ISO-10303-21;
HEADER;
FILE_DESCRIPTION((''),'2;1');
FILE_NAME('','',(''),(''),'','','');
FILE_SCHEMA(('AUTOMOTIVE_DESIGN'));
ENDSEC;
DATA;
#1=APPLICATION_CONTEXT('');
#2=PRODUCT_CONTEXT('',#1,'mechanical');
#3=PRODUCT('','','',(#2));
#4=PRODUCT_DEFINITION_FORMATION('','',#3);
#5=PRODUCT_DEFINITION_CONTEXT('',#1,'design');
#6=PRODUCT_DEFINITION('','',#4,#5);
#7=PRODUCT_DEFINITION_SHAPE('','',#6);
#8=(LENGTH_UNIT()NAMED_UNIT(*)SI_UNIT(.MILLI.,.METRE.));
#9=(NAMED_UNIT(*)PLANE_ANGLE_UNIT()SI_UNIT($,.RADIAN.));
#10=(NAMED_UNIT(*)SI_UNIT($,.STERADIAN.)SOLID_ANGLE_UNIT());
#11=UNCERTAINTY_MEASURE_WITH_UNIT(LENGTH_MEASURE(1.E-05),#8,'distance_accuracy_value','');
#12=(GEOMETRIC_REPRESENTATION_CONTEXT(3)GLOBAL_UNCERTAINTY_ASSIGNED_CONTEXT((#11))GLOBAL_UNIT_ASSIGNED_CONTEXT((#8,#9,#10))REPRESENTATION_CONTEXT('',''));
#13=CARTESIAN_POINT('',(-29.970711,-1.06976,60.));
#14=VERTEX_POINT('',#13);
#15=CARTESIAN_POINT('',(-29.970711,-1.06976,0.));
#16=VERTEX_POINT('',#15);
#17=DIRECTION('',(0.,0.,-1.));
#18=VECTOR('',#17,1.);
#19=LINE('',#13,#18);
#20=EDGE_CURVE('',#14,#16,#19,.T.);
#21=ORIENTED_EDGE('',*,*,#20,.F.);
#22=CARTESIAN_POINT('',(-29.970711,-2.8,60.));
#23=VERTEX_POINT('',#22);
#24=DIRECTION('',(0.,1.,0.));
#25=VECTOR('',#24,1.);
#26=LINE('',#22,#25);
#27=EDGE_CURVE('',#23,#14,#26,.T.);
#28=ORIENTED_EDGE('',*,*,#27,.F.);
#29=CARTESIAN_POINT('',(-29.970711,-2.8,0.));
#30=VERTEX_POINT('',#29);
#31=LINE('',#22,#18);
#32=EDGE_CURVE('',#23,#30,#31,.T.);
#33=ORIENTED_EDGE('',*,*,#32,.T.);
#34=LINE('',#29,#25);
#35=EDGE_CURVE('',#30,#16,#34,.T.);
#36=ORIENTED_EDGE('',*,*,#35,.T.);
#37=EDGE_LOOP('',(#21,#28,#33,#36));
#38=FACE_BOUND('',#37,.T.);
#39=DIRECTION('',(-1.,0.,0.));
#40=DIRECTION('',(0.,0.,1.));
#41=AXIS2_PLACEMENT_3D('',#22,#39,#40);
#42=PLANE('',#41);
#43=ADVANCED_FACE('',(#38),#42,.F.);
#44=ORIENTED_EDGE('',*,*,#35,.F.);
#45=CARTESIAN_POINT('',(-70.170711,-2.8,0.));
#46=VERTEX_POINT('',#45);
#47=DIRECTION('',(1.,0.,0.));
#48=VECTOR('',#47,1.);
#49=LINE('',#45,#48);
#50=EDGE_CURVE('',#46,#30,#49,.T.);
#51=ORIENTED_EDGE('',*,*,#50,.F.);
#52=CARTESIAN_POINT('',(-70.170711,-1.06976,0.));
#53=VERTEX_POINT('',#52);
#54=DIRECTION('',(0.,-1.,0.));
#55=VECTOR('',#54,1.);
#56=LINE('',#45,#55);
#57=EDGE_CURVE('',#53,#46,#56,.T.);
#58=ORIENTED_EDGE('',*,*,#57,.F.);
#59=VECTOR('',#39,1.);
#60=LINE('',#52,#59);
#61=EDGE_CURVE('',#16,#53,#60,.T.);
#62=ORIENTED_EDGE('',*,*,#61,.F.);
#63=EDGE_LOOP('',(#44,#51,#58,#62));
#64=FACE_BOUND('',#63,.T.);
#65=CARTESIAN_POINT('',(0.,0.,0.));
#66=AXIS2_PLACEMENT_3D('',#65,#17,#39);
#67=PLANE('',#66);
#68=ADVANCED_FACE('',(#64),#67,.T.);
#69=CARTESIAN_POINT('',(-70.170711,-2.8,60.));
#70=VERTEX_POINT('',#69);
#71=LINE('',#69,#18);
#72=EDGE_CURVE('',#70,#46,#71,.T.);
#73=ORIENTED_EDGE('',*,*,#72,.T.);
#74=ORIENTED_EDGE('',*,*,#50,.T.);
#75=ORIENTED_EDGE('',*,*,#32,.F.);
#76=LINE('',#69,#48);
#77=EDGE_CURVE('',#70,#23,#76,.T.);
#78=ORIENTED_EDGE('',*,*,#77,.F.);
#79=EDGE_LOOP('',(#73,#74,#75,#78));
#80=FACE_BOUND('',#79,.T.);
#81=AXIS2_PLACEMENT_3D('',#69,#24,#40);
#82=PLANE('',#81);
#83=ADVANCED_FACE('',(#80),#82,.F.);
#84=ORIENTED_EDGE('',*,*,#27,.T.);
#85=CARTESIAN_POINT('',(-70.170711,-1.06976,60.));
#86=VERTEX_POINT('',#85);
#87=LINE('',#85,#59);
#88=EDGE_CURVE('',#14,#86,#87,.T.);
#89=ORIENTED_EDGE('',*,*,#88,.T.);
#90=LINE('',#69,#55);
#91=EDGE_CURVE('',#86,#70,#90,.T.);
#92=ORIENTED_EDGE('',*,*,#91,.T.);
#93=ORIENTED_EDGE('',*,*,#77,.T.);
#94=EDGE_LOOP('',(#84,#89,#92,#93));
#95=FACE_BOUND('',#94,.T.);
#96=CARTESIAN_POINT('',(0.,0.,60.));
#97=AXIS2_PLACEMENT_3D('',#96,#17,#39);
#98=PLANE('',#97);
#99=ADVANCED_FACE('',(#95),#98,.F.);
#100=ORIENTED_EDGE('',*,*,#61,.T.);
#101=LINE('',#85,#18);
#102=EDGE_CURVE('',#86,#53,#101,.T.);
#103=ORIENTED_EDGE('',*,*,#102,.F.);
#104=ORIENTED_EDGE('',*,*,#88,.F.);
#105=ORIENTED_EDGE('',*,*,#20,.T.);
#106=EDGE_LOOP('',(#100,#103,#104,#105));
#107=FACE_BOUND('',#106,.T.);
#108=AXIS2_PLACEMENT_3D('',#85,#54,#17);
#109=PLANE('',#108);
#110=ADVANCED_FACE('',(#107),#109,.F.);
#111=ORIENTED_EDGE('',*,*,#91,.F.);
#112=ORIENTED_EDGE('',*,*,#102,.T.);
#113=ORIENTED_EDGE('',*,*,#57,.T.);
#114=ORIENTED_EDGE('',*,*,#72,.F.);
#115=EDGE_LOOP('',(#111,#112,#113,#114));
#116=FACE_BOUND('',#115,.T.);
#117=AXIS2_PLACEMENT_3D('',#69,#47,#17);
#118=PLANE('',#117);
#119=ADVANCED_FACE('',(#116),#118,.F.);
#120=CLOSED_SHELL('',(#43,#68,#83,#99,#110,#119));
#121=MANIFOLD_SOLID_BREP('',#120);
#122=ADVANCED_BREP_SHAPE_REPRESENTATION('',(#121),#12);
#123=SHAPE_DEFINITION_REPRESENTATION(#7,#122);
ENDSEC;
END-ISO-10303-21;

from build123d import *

# Parameters (mm, degrees)
SKETCH1_W           = 40.2
SKETCH1_H           = 1.730239725
BOSS_EXTRUDE1_DEPTH = 60


with BuildPart() as part:
    # Sketch1 → Boss-Extrude1 (new body)
    with BuildSketch(Plane.XY):
        with Locations((-50.070710678, -1.934880138)):
            Rectangle(SKETCH1_W, SKETCH1_H)
    extrude(amount=BOSS_EXTRUDE1_DEPTH)


solid = part.part
